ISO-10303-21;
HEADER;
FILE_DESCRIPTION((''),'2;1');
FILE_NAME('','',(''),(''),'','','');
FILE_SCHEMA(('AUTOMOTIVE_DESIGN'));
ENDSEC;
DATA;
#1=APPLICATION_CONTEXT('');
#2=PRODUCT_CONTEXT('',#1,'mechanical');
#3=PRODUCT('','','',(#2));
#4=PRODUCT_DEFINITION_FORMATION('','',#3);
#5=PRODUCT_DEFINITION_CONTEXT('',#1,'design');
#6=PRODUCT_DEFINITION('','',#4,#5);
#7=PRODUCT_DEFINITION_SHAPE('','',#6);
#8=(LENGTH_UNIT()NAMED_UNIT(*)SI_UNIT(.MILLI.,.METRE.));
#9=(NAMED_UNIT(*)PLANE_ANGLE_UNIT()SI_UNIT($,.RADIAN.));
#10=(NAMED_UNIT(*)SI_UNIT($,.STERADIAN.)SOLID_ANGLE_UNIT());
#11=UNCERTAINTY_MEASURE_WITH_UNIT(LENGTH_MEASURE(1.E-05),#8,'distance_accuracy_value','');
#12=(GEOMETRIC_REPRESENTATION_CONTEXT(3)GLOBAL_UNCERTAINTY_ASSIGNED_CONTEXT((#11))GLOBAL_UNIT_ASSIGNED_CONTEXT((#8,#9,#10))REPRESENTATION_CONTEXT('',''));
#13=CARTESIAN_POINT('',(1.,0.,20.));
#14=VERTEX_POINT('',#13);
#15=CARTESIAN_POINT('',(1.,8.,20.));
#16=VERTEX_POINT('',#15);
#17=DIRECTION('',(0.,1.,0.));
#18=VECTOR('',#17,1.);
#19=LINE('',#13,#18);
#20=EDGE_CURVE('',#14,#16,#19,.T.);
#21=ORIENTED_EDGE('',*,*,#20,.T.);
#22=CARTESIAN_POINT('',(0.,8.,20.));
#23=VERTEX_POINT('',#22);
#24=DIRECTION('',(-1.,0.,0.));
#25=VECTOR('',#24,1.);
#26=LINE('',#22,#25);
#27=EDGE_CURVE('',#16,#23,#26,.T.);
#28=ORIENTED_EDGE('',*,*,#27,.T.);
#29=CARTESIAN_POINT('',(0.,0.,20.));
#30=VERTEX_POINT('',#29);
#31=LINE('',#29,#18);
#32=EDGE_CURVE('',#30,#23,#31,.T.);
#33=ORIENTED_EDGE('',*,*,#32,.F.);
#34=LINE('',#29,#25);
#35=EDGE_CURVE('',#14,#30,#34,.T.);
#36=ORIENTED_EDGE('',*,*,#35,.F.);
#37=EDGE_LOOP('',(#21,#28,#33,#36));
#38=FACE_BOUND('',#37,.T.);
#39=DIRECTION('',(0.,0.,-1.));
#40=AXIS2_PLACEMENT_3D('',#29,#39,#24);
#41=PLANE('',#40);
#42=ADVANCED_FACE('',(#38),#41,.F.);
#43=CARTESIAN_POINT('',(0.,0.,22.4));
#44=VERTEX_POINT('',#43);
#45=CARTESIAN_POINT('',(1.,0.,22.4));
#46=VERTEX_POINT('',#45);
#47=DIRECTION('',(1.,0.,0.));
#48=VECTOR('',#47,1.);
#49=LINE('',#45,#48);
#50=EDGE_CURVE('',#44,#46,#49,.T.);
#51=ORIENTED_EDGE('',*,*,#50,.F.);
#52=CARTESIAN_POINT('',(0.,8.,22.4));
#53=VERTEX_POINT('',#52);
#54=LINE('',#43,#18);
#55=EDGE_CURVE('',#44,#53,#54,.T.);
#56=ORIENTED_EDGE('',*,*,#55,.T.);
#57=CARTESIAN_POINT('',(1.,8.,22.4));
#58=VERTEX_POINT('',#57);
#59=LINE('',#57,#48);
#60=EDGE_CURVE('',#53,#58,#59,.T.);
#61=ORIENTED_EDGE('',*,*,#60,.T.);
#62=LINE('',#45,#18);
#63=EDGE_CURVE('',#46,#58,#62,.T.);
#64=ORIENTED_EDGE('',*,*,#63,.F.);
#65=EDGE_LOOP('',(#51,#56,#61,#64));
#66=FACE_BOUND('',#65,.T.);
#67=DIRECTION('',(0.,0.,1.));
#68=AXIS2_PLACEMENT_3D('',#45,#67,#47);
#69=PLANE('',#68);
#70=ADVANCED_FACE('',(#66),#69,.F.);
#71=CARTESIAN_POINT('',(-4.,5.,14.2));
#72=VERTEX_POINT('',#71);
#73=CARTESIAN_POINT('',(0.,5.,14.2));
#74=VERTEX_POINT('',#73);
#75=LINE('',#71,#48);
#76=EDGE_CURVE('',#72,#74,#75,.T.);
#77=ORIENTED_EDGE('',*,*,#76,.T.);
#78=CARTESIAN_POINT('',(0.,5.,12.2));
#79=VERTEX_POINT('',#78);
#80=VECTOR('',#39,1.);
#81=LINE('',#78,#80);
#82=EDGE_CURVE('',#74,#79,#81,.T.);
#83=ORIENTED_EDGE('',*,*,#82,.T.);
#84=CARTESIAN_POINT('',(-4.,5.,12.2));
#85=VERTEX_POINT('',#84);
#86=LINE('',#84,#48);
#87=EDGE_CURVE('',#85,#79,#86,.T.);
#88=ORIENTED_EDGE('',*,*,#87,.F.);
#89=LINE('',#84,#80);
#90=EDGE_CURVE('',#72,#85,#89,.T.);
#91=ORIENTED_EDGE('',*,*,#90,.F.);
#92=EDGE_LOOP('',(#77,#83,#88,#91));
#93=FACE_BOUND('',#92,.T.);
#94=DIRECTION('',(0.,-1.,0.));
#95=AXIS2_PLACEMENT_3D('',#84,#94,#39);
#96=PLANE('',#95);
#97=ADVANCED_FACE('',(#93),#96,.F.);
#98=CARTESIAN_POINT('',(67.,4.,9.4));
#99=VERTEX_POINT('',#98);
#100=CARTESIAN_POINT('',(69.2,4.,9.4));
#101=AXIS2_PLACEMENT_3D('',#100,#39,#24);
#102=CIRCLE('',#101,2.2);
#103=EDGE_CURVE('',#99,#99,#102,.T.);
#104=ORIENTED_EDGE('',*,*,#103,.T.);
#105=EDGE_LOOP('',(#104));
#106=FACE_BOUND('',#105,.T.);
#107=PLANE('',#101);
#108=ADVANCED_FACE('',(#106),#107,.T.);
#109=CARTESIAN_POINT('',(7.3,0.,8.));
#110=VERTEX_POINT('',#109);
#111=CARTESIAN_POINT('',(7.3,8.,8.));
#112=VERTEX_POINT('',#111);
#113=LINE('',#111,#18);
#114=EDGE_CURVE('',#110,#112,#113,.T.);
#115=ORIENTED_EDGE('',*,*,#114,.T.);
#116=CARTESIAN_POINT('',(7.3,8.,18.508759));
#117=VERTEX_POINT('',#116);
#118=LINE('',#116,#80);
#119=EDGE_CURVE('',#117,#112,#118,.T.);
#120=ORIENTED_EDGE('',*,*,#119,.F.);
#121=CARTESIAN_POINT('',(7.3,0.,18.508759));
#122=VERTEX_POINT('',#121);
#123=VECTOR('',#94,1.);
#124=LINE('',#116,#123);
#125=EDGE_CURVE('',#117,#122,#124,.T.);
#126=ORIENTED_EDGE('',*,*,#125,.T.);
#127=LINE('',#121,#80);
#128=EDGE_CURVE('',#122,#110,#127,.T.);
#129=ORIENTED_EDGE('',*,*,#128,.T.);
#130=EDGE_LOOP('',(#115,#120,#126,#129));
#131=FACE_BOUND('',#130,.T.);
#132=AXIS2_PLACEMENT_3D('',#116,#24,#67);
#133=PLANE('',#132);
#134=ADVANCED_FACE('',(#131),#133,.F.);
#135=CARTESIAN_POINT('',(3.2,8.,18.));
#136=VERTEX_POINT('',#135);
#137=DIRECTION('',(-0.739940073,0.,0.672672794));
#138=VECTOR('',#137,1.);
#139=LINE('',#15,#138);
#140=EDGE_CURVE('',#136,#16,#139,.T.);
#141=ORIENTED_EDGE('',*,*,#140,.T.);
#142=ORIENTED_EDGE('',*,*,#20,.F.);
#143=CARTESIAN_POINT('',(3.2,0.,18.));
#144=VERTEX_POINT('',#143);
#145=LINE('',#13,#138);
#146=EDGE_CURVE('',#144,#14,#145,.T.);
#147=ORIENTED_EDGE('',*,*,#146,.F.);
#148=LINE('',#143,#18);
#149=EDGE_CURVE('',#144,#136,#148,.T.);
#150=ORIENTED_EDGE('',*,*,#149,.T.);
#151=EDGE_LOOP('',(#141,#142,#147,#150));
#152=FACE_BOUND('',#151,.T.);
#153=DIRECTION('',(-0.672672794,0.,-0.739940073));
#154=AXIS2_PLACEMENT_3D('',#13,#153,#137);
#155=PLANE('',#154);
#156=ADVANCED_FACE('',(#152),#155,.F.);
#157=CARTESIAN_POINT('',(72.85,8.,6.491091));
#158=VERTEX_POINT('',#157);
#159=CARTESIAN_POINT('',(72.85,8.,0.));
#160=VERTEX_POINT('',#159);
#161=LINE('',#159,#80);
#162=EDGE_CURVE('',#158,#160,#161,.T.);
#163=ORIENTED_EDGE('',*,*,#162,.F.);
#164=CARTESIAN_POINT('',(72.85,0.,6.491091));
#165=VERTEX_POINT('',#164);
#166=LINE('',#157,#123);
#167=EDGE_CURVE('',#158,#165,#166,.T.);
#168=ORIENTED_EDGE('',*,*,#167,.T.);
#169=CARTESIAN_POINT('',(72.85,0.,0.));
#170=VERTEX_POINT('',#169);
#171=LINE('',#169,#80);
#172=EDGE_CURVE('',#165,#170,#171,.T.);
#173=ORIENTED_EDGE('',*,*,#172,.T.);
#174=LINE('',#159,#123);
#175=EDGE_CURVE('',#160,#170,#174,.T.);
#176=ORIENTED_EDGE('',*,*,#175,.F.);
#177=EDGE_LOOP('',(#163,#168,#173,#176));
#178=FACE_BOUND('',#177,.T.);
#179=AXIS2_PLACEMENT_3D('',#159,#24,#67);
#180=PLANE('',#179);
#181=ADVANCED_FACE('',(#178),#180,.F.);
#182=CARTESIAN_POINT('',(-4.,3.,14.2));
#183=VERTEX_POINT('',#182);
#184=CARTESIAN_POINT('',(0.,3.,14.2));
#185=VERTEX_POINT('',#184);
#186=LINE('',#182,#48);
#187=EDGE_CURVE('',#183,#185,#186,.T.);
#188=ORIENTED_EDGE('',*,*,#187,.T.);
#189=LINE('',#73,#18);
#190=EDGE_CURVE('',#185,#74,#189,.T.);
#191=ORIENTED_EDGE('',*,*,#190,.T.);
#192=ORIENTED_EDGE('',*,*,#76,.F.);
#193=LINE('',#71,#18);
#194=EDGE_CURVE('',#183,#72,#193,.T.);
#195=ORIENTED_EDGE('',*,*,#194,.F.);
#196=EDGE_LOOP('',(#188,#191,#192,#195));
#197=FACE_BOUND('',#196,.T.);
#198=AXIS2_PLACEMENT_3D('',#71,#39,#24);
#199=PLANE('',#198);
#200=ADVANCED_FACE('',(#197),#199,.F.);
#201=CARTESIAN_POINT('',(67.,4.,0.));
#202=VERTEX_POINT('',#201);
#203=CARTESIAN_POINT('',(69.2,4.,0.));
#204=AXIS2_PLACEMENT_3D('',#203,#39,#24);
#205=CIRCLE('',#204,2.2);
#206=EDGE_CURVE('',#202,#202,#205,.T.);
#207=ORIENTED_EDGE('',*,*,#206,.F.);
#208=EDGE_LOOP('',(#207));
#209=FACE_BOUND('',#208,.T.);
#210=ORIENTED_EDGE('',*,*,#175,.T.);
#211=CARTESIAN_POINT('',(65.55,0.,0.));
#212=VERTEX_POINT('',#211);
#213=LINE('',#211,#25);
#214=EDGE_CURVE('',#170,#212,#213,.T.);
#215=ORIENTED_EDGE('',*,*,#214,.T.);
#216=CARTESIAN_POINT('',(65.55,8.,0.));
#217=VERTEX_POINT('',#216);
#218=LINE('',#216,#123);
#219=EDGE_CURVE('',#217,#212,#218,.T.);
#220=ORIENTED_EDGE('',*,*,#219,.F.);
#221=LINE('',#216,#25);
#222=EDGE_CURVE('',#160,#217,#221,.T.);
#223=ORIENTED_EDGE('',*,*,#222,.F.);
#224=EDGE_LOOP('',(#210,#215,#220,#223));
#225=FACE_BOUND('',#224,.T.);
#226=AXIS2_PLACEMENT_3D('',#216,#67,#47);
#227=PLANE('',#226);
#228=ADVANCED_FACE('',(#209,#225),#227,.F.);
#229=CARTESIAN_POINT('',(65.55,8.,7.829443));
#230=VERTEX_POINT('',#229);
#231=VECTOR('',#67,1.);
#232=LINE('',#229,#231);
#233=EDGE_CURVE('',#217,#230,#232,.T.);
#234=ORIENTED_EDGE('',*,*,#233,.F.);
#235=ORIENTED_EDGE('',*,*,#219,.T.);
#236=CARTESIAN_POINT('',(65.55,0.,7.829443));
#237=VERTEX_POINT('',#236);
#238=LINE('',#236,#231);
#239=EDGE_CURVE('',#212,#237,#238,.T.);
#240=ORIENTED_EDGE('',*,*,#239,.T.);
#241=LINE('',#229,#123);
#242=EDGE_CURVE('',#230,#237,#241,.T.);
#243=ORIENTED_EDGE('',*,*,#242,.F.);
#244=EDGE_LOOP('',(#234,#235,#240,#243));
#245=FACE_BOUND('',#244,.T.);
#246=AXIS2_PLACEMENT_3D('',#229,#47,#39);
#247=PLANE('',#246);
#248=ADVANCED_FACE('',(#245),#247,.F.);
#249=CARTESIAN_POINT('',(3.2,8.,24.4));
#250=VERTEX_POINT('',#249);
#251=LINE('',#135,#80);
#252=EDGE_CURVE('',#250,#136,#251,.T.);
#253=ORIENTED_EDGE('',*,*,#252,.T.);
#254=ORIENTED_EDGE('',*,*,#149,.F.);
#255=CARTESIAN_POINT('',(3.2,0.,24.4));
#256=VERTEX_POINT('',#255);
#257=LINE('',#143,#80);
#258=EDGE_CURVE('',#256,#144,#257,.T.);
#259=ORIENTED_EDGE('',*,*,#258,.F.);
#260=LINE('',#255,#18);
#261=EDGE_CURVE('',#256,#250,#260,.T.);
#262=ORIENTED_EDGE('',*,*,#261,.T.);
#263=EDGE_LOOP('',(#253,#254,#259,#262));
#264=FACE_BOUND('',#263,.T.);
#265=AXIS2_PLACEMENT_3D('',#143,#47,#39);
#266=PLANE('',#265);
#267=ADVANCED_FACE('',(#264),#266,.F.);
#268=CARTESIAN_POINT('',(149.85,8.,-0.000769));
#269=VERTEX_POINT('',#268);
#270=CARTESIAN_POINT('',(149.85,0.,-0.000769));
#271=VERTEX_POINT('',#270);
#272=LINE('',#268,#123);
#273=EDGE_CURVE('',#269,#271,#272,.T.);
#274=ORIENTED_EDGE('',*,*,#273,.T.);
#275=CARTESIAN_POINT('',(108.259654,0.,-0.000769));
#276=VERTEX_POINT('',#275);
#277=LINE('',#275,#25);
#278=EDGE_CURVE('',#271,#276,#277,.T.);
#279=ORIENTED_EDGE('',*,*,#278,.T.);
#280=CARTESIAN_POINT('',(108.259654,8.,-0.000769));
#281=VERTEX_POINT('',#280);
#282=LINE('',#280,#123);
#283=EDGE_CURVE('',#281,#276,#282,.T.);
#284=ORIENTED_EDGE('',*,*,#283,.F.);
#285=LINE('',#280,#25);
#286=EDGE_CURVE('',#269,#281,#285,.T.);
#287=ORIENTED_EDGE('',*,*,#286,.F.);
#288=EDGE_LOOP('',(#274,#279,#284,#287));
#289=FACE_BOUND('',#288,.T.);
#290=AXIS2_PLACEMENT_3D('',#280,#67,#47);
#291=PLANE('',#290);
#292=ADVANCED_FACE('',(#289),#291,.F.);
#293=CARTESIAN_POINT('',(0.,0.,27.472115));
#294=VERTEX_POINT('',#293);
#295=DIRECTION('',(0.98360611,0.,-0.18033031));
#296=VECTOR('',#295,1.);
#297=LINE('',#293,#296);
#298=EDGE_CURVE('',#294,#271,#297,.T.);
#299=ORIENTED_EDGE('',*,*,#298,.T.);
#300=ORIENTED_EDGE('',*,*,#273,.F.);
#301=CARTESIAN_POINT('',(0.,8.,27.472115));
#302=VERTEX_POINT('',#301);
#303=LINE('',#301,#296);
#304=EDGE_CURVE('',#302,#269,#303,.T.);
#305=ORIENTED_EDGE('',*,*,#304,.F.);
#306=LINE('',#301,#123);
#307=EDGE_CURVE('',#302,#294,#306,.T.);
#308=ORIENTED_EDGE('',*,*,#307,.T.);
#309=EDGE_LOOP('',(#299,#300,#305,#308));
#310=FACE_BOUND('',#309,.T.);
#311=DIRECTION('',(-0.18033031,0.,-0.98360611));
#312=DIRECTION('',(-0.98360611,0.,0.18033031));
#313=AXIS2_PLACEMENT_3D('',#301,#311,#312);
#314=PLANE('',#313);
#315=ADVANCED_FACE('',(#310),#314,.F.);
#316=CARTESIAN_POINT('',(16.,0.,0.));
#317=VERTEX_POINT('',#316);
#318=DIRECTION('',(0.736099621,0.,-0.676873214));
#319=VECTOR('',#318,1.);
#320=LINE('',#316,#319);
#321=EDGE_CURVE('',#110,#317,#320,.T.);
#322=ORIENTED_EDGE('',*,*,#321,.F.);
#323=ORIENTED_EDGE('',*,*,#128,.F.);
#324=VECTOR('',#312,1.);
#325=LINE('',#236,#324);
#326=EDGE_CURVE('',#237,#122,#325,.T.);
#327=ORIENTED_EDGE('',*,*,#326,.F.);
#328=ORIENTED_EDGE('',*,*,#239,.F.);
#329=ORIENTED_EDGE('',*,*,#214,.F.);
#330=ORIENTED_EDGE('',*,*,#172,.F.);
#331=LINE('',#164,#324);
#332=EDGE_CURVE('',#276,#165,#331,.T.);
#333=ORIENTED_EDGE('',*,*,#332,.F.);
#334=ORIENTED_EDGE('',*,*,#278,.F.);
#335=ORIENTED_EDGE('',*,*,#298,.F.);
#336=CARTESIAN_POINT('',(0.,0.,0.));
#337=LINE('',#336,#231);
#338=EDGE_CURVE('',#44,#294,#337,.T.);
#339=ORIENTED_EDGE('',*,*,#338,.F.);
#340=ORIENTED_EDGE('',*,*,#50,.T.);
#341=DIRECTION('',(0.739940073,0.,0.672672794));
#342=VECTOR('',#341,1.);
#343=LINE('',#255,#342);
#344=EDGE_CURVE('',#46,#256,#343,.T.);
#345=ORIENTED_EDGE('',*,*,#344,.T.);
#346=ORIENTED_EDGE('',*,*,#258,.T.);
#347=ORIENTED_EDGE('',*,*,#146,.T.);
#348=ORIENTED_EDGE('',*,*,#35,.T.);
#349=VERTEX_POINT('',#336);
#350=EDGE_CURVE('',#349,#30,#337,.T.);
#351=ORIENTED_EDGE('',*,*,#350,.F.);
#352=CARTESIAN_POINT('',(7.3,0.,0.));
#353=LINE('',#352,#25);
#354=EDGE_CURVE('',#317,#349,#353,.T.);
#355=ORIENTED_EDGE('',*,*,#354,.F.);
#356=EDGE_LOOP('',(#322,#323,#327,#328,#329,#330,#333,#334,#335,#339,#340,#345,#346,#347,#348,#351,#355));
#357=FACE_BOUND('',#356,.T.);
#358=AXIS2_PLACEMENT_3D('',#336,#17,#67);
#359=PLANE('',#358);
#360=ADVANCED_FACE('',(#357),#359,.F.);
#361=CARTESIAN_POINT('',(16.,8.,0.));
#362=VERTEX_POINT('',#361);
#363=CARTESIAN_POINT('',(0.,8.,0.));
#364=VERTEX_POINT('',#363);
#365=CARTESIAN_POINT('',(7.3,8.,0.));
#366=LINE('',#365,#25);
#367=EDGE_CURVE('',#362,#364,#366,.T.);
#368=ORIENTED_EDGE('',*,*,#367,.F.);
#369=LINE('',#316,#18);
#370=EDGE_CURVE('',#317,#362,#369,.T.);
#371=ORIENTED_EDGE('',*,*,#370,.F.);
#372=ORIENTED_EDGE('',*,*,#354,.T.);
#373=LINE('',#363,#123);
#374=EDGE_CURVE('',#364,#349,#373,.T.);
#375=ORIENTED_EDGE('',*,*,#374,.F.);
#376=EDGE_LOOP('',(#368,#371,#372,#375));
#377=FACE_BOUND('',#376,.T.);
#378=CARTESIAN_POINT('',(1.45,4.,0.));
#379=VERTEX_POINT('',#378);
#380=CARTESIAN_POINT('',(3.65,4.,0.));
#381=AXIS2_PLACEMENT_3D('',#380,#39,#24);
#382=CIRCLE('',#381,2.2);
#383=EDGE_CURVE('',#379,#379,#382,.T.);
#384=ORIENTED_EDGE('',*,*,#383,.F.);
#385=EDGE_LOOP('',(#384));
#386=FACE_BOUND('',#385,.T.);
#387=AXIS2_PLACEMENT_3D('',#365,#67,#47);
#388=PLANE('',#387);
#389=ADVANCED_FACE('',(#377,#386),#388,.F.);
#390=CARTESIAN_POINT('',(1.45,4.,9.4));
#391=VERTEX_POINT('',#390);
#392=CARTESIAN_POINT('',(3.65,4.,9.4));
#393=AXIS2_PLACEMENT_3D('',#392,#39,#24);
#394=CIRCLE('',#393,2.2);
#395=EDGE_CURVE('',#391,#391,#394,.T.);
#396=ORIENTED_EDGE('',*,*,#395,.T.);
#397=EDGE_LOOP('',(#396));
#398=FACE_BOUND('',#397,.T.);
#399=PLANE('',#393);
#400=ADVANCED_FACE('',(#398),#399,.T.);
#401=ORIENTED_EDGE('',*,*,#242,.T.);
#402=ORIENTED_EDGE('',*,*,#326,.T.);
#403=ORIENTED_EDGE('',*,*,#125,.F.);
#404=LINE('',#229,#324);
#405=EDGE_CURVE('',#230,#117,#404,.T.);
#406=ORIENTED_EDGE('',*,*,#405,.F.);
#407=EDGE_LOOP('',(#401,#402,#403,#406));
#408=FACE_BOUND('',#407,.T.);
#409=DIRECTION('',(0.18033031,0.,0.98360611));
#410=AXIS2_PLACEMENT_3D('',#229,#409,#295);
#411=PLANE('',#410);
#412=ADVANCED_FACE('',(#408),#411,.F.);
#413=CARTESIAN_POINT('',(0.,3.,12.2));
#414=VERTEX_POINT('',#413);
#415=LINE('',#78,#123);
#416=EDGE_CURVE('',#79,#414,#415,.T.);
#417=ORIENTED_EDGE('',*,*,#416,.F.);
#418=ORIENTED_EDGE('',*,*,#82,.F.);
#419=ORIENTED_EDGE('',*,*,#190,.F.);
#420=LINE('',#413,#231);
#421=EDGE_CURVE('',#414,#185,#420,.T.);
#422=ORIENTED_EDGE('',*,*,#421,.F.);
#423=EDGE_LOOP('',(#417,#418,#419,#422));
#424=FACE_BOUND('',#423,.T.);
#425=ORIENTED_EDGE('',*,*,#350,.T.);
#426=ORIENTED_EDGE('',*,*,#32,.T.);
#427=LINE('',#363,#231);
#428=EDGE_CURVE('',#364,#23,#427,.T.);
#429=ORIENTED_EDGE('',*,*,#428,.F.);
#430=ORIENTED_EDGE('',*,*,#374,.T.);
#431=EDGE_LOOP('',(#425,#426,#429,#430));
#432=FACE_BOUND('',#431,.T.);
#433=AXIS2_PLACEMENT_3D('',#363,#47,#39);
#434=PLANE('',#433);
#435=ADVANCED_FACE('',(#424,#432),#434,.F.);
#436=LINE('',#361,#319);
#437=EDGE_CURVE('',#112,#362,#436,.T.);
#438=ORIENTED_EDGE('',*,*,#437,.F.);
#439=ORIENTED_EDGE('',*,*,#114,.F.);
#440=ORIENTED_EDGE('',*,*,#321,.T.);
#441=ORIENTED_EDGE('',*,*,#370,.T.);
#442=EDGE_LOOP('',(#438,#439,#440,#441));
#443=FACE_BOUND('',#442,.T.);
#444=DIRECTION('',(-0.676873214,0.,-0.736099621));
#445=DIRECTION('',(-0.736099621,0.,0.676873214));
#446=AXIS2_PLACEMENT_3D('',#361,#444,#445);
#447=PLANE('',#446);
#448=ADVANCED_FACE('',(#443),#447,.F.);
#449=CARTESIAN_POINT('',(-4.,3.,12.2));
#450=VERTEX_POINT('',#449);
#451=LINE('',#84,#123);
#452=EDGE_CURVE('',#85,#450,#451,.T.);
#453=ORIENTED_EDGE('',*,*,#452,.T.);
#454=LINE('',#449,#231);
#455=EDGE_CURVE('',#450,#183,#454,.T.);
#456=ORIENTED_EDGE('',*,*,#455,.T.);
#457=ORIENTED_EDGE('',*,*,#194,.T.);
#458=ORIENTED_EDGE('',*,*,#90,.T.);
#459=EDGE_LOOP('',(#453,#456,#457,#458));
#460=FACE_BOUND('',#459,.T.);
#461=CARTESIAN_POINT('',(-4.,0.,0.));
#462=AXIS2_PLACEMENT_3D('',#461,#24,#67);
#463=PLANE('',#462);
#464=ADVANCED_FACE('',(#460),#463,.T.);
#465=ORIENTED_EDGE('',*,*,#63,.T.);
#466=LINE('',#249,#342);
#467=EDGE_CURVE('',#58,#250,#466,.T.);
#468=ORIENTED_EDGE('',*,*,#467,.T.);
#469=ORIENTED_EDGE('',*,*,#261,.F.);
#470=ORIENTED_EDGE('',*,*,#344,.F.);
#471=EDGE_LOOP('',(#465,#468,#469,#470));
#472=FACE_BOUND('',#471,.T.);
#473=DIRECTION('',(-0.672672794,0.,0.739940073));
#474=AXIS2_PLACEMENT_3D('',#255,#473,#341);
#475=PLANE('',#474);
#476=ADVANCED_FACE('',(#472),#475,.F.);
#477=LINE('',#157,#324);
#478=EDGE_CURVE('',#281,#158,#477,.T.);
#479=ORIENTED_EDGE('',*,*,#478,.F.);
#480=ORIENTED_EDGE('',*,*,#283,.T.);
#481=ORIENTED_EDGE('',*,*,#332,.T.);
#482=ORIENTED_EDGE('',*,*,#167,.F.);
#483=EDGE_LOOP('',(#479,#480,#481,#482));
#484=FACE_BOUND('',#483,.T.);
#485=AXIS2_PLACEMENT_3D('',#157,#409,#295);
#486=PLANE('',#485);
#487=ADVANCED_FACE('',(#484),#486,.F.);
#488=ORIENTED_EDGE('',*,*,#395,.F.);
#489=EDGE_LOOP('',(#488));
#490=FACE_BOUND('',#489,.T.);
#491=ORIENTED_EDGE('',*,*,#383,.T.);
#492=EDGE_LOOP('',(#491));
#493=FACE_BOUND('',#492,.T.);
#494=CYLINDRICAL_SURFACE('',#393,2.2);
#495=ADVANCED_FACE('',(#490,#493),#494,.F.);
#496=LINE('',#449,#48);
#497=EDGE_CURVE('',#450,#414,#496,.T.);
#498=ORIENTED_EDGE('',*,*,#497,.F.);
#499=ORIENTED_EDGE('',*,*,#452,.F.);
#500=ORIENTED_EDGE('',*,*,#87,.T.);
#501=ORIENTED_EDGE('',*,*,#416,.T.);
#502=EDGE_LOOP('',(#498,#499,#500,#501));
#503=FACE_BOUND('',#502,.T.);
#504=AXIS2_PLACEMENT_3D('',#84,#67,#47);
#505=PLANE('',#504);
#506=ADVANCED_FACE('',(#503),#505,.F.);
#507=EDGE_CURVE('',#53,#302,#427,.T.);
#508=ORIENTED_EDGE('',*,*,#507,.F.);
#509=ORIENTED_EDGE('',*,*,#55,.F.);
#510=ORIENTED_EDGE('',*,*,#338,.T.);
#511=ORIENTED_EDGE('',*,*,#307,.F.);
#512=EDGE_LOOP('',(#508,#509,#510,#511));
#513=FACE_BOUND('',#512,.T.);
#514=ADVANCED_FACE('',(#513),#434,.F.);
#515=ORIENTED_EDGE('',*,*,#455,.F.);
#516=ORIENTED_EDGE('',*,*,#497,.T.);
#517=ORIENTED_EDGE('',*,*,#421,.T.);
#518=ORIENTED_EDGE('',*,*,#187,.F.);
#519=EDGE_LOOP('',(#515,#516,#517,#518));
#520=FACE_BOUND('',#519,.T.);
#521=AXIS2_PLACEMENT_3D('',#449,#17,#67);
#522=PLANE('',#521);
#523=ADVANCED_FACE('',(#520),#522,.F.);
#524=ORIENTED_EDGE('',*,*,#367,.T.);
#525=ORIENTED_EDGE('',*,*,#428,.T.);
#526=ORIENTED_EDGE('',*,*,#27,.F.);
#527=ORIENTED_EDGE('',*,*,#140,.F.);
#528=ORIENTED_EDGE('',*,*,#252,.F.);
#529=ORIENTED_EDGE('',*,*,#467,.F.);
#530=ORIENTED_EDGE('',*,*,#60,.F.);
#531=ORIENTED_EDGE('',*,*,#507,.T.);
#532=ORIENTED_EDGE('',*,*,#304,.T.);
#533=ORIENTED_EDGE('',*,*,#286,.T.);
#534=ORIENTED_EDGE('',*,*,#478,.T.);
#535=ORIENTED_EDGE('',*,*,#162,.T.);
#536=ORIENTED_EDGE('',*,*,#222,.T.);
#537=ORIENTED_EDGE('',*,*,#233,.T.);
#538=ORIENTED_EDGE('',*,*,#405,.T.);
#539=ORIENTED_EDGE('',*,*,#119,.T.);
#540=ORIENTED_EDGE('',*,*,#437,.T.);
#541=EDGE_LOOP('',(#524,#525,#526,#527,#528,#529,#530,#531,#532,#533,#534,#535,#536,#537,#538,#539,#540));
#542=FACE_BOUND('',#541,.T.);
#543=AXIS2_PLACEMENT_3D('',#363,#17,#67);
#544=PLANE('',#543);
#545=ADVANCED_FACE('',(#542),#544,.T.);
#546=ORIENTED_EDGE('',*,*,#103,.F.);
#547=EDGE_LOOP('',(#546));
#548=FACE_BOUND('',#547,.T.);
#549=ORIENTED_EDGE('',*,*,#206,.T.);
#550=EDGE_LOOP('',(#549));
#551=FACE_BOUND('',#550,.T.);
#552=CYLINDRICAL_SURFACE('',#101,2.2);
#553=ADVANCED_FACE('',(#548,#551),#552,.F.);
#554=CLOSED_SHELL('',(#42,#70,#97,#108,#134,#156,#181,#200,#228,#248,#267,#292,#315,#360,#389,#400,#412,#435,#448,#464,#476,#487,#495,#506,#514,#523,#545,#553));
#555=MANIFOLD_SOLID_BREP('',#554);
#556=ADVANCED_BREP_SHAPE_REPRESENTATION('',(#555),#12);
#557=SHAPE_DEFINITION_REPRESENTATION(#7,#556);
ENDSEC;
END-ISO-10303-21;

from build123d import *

# Parameters (mm, degrees)
P_IDAT_VYSUNUT_M1_DEPTH  = 8
ODEBRAT_VYSUNUT_M1_DEPTH = 153.557332159
SKICA3_W                 = 2
SKICA3_H                 = 2
P_IDAT_VYSUNUT_M2_DEPTH  = 4
SKICA5_W                 = 16
SKICA5_H                 = 8
P_IDAT_VYSUNUT_M4_DEPTH  = 8
ODEBRAT_VYSUNUT_M3_DEPTH = 153.557332159
SKICA8_R                 = 2.2
ODEBRAT_VYSUNUT_M4_DEPTH = 9.4


with BuildPart() as part:
    # Skica1 → Přidat vysunutím1 (new body)
    with BuildSketch(Plane(origin=(0, 0, 0), x_dir=(1, 0, 0), z_dir=(0, 1, 0))):
        Polygon((0, 0), (0, -27.47211487), (149.85, 0.000769495), (108.259653873, 0.000769495), (72.85, -6.491091207), (72.85, 0), (65.55, 0), (65.55, -7.829443265), (7.3, -18.508759343), (7.3, 0), align=None)
    extrude(amount=P_IDAT_VYSUNUT_M1_DEPTH)

    # Skica2 → Odebrat vysunutím1 (cut, through all)
    with BuildSketch(Plane(origin=(0, 8, 0), x_dir=(1, 0, 0), z_dir=(0, 1, 0))):
        Polygon((0, -20), (1, -20), (3.2, -18), (3.2, -24.4), (1, -22.4), (0, -22.4), align=None)
    extrude(amount=-ODEBRAT_VYSUNUT_M1_DEPTH, mode=Mode.SUBTRACT)

    # Skica3 → Přidat vysunutím2 (add)
    with BuildSketch(Plane.ZY):
        with Locations((13.2, 4)):
            Rectangle(SKICA3_W, SKICA3_H)
    extrude(amount=P_IDAT_VYSUNUT_M2_DEPTH)

    # Skica5 → Přidat vysunutím4 (add)
    with BuildSketch(Plane(origin=(0, 8, 0), x_dir=(1, 0, 0), z_dir=(0, 1, 0))):
        with Locations((8, -4)):
            Rectangle(SKICA5_W, SKICA5_H)
    extrude(amount=-P_IDAT_VYSUNUT_M4_DEPTH)

    # Skica7 → Odebrat vysunutím3 (cut, through all)
    with BuildSketch(Plane.XZ):
        Polygon((7.3, 8), (16, 8), (16, 0), align=None)
    extrude(amount=-ODEBRAT_VYSUNUT_M3_DEPTH, mode=Mode.SUBTRACT)

    # Skica8 → Odebrat vysunutím4 (cut)
    with BuildSketch(Plane(origin=(0, 0, 0), x_dir=(-1, 0, 0), z_dir=(0, 0, -1))):
        with Locations((-3.65, 4)):
            Circle(SKICA8_R)
        with Locations((-69.2, 4)):
            Circle(SKICA8_R)
    extrude(amount=-ODEBRAT_VYSUNUT_M4_DEPTH, mode=Mode.SUBTRACT)


solid = part.part
